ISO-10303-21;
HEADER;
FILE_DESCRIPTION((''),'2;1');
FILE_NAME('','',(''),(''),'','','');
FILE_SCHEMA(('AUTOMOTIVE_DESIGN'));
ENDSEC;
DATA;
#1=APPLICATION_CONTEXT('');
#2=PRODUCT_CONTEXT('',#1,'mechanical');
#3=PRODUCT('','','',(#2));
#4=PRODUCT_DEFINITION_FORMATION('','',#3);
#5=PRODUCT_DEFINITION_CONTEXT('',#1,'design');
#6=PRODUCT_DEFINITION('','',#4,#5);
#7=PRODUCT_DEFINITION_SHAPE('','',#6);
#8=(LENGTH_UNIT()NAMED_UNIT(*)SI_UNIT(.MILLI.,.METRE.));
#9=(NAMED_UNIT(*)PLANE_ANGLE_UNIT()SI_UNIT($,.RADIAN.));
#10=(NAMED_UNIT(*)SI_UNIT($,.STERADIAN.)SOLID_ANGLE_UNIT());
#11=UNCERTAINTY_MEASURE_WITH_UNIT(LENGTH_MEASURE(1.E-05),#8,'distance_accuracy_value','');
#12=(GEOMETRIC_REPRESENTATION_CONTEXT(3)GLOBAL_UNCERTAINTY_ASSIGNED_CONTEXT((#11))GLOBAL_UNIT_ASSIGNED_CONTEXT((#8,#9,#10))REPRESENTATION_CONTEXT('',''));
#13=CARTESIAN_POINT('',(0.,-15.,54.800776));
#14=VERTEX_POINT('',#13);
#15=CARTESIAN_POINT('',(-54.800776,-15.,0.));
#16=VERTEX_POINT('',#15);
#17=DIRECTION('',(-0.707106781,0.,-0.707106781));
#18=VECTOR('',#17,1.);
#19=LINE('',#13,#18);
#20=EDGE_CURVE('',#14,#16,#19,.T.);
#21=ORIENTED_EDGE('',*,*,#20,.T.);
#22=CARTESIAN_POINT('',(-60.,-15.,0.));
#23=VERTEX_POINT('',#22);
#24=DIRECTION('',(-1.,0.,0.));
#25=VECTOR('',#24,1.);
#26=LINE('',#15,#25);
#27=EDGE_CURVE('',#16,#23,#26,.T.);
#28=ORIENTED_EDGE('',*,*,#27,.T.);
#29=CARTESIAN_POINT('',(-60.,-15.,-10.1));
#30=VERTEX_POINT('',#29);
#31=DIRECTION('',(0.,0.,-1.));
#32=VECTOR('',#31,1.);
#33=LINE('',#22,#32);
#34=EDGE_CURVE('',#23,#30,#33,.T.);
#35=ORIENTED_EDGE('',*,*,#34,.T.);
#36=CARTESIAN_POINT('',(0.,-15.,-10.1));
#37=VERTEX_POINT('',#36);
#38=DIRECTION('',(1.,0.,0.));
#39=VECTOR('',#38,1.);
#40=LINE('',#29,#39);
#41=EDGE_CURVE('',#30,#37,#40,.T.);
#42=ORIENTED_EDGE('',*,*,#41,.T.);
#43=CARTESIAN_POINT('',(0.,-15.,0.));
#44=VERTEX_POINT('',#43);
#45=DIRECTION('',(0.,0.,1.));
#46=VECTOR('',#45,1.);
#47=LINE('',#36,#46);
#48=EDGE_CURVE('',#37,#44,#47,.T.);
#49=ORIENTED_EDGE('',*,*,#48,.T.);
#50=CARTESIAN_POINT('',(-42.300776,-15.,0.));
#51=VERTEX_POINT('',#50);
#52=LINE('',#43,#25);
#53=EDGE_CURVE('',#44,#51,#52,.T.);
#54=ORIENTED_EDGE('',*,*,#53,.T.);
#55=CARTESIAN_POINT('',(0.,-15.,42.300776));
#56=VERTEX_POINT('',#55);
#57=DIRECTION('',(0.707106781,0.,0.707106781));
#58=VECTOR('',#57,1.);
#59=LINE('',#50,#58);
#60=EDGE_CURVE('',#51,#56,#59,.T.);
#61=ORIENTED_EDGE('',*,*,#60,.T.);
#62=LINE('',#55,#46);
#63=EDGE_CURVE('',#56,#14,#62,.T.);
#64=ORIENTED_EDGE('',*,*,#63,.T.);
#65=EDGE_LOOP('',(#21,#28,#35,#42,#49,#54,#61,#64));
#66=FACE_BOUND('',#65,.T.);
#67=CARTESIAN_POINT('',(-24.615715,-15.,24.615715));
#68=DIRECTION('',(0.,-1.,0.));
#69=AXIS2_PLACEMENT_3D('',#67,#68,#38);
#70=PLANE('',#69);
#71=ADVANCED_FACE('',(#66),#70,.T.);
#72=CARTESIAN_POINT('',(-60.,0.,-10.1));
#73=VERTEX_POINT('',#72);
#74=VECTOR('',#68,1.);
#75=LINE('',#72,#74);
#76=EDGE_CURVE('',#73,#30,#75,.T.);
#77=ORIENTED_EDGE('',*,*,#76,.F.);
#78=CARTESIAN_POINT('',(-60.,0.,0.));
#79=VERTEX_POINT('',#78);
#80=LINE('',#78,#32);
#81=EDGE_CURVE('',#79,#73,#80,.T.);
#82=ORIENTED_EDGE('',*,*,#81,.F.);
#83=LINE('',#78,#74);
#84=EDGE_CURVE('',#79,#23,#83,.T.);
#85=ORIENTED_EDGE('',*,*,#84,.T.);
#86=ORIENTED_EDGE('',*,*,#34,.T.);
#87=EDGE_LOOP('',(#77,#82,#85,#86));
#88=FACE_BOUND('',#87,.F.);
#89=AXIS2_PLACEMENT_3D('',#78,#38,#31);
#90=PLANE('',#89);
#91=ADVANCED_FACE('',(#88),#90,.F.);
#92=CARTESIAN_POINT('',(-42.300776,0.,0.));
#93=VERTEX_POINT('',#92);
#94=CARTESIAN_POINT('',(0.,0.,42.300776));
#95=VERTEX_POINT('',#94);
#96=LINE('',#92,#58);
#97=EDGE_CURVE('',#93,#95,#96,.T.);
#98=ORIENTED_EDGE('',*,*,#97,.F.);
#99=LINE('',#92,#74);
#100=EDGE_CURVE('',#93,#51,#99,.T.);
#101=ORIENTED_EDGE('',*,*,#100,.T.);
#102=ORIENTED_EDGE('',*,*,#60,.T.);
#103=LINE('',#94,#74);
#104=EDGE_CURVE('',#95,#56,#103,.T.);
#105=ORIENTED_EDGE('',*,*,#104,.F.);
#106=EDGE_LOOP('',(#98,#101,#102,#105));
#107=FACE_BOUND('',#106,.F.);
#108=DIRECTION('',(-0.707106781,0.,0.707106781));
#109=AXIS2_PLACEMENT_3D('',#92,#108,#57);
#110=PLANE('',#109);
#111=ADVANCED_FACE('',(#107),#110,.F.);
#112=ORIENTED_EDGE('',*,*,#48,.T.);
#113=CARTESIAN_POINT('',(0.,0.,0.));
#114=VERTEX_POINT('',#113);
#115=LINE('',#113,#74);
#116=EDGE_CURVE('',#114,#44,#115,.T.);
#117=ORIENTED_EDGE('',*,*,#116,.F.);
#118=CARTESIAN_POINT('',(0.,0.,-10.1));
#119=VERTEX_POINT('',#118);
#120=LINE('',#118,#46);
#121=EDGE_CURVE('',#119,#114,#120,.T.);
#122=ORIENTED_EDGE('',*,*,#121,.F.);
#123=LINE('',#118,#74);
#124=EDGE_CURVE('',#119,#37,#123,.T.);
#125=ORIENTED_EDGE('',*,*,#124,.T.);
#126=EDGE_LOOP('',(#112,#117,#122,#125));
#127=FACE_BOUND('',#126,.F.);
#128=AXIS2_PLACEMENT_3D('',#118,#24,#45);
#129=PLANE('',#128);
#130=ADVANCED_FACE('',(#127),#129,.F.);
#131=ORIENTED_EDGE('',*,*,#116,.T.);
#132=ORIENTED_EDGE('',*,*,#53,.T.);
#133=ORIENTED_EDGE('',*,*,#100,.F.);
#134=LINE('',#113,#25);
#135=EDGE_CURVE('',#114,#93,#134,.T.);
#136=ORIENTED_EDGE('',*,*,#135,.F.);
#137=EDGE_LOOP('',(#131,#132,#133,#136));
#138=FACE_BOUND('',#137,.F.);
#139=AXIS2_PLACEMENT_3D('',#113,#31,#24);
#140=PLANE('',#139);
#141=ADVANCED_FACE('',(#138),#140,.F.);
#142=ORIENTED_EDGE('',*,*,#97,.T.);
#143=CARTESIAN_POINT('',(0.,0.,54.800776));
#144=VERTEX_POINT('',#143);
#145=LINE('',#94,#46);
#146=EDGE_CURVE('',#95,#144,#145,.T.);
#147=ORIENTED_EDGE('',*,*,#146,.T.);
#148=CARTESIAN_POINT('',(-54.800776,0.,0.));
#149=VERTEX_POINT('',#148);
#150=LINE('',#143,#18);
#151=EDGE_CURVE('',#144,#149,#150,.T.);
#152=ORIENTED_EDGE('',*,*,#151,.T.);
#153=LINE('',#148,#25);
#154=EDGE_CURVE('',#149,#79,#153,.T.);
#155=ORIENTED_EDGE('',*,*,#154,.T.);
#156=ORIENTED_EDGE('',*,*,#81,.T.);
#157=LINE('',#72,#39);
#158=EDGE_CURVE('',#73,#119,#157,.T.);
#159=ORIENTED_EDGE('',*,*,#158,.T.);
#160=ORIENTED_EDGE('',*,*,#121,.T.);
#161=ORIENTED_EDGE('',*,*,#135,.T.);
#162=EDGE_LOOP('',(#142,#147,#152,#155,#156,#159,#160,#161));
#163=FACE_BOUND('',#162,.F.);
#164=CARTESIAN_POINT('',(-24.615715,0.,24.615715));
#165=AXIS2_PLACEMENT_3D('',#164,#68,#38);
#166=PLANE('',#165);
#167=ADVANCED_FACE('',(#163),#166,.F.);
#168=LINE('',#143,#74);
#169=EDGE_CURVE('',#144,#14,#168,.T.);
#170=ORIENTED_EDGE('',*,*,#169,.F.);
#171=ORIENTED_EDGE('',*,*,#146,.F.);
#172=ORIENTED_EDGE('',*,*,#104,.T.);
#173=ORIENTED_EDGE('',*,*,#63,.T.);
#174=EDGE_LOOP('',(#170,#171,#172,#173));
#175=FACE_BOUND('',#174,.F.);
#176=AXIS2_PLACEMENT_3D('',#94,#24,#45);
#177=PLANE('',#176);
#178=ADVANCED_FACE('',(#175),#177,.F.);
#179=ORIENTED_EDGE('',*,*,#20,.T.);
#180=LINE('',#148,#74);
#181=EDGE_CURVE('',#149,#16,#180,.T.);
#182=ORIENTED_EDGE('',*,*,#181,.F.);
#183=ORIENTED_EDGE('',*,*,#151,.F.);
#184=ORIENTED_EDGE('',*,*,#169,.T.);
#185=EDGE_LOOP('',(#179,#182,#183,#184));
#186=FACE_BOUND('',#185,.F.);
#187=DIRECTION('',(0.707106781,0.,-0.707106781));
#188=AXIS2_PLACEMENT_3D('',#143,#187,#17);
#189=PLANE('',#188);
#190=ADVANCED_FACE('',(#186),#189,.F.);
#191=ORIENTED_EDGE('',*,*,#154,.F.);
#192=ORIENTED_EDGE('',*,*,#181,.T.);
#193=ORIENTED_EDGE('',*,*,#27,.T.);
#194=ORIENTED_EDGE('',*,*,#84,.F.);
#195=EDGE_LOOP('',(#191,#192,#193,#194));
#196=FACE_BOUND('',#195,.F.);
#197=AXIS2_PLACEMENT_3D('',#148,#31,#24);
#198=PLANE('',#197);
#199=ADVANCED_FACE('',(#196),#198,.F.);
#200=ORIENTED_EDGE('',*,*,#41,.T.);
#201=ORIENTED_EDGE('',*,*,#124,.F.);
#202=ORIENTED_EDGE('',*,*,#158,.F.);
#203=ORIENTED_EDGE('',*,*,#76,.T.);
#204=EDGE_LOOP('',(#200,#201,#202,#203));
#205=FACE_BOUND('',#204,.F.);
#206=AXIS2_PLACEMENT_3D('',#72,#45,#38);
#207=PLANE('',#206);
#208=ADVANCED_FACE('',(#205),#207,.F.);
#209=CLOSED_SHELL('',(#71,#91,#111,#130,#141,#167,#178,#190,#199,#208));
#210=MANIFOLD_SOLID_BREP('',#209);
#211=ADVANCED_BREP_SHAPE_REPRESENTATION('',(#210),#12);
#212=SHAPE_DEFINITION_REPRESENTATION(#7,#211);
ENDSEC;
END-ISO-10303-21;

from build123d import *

# Parameters (mm, degrees)
F1_DEPTH = 15


with BuildPart() as f1:
    # F0 (on Front) → F1 (new body)
    with BuildSketch(Plane.XZ):
        Polygon((0, 42.300776), (0, 54.800776), (-54.800776, 0), (-42.300776, 0), align=None)
        Polygon((-42.300776, 0), (-54.800776, 0), (-60, 0), (-60, -10.1), (0, -10.1), (0, 0), align=None)
    extrude(amount=F1_DEPTH)


solid = f1.part
